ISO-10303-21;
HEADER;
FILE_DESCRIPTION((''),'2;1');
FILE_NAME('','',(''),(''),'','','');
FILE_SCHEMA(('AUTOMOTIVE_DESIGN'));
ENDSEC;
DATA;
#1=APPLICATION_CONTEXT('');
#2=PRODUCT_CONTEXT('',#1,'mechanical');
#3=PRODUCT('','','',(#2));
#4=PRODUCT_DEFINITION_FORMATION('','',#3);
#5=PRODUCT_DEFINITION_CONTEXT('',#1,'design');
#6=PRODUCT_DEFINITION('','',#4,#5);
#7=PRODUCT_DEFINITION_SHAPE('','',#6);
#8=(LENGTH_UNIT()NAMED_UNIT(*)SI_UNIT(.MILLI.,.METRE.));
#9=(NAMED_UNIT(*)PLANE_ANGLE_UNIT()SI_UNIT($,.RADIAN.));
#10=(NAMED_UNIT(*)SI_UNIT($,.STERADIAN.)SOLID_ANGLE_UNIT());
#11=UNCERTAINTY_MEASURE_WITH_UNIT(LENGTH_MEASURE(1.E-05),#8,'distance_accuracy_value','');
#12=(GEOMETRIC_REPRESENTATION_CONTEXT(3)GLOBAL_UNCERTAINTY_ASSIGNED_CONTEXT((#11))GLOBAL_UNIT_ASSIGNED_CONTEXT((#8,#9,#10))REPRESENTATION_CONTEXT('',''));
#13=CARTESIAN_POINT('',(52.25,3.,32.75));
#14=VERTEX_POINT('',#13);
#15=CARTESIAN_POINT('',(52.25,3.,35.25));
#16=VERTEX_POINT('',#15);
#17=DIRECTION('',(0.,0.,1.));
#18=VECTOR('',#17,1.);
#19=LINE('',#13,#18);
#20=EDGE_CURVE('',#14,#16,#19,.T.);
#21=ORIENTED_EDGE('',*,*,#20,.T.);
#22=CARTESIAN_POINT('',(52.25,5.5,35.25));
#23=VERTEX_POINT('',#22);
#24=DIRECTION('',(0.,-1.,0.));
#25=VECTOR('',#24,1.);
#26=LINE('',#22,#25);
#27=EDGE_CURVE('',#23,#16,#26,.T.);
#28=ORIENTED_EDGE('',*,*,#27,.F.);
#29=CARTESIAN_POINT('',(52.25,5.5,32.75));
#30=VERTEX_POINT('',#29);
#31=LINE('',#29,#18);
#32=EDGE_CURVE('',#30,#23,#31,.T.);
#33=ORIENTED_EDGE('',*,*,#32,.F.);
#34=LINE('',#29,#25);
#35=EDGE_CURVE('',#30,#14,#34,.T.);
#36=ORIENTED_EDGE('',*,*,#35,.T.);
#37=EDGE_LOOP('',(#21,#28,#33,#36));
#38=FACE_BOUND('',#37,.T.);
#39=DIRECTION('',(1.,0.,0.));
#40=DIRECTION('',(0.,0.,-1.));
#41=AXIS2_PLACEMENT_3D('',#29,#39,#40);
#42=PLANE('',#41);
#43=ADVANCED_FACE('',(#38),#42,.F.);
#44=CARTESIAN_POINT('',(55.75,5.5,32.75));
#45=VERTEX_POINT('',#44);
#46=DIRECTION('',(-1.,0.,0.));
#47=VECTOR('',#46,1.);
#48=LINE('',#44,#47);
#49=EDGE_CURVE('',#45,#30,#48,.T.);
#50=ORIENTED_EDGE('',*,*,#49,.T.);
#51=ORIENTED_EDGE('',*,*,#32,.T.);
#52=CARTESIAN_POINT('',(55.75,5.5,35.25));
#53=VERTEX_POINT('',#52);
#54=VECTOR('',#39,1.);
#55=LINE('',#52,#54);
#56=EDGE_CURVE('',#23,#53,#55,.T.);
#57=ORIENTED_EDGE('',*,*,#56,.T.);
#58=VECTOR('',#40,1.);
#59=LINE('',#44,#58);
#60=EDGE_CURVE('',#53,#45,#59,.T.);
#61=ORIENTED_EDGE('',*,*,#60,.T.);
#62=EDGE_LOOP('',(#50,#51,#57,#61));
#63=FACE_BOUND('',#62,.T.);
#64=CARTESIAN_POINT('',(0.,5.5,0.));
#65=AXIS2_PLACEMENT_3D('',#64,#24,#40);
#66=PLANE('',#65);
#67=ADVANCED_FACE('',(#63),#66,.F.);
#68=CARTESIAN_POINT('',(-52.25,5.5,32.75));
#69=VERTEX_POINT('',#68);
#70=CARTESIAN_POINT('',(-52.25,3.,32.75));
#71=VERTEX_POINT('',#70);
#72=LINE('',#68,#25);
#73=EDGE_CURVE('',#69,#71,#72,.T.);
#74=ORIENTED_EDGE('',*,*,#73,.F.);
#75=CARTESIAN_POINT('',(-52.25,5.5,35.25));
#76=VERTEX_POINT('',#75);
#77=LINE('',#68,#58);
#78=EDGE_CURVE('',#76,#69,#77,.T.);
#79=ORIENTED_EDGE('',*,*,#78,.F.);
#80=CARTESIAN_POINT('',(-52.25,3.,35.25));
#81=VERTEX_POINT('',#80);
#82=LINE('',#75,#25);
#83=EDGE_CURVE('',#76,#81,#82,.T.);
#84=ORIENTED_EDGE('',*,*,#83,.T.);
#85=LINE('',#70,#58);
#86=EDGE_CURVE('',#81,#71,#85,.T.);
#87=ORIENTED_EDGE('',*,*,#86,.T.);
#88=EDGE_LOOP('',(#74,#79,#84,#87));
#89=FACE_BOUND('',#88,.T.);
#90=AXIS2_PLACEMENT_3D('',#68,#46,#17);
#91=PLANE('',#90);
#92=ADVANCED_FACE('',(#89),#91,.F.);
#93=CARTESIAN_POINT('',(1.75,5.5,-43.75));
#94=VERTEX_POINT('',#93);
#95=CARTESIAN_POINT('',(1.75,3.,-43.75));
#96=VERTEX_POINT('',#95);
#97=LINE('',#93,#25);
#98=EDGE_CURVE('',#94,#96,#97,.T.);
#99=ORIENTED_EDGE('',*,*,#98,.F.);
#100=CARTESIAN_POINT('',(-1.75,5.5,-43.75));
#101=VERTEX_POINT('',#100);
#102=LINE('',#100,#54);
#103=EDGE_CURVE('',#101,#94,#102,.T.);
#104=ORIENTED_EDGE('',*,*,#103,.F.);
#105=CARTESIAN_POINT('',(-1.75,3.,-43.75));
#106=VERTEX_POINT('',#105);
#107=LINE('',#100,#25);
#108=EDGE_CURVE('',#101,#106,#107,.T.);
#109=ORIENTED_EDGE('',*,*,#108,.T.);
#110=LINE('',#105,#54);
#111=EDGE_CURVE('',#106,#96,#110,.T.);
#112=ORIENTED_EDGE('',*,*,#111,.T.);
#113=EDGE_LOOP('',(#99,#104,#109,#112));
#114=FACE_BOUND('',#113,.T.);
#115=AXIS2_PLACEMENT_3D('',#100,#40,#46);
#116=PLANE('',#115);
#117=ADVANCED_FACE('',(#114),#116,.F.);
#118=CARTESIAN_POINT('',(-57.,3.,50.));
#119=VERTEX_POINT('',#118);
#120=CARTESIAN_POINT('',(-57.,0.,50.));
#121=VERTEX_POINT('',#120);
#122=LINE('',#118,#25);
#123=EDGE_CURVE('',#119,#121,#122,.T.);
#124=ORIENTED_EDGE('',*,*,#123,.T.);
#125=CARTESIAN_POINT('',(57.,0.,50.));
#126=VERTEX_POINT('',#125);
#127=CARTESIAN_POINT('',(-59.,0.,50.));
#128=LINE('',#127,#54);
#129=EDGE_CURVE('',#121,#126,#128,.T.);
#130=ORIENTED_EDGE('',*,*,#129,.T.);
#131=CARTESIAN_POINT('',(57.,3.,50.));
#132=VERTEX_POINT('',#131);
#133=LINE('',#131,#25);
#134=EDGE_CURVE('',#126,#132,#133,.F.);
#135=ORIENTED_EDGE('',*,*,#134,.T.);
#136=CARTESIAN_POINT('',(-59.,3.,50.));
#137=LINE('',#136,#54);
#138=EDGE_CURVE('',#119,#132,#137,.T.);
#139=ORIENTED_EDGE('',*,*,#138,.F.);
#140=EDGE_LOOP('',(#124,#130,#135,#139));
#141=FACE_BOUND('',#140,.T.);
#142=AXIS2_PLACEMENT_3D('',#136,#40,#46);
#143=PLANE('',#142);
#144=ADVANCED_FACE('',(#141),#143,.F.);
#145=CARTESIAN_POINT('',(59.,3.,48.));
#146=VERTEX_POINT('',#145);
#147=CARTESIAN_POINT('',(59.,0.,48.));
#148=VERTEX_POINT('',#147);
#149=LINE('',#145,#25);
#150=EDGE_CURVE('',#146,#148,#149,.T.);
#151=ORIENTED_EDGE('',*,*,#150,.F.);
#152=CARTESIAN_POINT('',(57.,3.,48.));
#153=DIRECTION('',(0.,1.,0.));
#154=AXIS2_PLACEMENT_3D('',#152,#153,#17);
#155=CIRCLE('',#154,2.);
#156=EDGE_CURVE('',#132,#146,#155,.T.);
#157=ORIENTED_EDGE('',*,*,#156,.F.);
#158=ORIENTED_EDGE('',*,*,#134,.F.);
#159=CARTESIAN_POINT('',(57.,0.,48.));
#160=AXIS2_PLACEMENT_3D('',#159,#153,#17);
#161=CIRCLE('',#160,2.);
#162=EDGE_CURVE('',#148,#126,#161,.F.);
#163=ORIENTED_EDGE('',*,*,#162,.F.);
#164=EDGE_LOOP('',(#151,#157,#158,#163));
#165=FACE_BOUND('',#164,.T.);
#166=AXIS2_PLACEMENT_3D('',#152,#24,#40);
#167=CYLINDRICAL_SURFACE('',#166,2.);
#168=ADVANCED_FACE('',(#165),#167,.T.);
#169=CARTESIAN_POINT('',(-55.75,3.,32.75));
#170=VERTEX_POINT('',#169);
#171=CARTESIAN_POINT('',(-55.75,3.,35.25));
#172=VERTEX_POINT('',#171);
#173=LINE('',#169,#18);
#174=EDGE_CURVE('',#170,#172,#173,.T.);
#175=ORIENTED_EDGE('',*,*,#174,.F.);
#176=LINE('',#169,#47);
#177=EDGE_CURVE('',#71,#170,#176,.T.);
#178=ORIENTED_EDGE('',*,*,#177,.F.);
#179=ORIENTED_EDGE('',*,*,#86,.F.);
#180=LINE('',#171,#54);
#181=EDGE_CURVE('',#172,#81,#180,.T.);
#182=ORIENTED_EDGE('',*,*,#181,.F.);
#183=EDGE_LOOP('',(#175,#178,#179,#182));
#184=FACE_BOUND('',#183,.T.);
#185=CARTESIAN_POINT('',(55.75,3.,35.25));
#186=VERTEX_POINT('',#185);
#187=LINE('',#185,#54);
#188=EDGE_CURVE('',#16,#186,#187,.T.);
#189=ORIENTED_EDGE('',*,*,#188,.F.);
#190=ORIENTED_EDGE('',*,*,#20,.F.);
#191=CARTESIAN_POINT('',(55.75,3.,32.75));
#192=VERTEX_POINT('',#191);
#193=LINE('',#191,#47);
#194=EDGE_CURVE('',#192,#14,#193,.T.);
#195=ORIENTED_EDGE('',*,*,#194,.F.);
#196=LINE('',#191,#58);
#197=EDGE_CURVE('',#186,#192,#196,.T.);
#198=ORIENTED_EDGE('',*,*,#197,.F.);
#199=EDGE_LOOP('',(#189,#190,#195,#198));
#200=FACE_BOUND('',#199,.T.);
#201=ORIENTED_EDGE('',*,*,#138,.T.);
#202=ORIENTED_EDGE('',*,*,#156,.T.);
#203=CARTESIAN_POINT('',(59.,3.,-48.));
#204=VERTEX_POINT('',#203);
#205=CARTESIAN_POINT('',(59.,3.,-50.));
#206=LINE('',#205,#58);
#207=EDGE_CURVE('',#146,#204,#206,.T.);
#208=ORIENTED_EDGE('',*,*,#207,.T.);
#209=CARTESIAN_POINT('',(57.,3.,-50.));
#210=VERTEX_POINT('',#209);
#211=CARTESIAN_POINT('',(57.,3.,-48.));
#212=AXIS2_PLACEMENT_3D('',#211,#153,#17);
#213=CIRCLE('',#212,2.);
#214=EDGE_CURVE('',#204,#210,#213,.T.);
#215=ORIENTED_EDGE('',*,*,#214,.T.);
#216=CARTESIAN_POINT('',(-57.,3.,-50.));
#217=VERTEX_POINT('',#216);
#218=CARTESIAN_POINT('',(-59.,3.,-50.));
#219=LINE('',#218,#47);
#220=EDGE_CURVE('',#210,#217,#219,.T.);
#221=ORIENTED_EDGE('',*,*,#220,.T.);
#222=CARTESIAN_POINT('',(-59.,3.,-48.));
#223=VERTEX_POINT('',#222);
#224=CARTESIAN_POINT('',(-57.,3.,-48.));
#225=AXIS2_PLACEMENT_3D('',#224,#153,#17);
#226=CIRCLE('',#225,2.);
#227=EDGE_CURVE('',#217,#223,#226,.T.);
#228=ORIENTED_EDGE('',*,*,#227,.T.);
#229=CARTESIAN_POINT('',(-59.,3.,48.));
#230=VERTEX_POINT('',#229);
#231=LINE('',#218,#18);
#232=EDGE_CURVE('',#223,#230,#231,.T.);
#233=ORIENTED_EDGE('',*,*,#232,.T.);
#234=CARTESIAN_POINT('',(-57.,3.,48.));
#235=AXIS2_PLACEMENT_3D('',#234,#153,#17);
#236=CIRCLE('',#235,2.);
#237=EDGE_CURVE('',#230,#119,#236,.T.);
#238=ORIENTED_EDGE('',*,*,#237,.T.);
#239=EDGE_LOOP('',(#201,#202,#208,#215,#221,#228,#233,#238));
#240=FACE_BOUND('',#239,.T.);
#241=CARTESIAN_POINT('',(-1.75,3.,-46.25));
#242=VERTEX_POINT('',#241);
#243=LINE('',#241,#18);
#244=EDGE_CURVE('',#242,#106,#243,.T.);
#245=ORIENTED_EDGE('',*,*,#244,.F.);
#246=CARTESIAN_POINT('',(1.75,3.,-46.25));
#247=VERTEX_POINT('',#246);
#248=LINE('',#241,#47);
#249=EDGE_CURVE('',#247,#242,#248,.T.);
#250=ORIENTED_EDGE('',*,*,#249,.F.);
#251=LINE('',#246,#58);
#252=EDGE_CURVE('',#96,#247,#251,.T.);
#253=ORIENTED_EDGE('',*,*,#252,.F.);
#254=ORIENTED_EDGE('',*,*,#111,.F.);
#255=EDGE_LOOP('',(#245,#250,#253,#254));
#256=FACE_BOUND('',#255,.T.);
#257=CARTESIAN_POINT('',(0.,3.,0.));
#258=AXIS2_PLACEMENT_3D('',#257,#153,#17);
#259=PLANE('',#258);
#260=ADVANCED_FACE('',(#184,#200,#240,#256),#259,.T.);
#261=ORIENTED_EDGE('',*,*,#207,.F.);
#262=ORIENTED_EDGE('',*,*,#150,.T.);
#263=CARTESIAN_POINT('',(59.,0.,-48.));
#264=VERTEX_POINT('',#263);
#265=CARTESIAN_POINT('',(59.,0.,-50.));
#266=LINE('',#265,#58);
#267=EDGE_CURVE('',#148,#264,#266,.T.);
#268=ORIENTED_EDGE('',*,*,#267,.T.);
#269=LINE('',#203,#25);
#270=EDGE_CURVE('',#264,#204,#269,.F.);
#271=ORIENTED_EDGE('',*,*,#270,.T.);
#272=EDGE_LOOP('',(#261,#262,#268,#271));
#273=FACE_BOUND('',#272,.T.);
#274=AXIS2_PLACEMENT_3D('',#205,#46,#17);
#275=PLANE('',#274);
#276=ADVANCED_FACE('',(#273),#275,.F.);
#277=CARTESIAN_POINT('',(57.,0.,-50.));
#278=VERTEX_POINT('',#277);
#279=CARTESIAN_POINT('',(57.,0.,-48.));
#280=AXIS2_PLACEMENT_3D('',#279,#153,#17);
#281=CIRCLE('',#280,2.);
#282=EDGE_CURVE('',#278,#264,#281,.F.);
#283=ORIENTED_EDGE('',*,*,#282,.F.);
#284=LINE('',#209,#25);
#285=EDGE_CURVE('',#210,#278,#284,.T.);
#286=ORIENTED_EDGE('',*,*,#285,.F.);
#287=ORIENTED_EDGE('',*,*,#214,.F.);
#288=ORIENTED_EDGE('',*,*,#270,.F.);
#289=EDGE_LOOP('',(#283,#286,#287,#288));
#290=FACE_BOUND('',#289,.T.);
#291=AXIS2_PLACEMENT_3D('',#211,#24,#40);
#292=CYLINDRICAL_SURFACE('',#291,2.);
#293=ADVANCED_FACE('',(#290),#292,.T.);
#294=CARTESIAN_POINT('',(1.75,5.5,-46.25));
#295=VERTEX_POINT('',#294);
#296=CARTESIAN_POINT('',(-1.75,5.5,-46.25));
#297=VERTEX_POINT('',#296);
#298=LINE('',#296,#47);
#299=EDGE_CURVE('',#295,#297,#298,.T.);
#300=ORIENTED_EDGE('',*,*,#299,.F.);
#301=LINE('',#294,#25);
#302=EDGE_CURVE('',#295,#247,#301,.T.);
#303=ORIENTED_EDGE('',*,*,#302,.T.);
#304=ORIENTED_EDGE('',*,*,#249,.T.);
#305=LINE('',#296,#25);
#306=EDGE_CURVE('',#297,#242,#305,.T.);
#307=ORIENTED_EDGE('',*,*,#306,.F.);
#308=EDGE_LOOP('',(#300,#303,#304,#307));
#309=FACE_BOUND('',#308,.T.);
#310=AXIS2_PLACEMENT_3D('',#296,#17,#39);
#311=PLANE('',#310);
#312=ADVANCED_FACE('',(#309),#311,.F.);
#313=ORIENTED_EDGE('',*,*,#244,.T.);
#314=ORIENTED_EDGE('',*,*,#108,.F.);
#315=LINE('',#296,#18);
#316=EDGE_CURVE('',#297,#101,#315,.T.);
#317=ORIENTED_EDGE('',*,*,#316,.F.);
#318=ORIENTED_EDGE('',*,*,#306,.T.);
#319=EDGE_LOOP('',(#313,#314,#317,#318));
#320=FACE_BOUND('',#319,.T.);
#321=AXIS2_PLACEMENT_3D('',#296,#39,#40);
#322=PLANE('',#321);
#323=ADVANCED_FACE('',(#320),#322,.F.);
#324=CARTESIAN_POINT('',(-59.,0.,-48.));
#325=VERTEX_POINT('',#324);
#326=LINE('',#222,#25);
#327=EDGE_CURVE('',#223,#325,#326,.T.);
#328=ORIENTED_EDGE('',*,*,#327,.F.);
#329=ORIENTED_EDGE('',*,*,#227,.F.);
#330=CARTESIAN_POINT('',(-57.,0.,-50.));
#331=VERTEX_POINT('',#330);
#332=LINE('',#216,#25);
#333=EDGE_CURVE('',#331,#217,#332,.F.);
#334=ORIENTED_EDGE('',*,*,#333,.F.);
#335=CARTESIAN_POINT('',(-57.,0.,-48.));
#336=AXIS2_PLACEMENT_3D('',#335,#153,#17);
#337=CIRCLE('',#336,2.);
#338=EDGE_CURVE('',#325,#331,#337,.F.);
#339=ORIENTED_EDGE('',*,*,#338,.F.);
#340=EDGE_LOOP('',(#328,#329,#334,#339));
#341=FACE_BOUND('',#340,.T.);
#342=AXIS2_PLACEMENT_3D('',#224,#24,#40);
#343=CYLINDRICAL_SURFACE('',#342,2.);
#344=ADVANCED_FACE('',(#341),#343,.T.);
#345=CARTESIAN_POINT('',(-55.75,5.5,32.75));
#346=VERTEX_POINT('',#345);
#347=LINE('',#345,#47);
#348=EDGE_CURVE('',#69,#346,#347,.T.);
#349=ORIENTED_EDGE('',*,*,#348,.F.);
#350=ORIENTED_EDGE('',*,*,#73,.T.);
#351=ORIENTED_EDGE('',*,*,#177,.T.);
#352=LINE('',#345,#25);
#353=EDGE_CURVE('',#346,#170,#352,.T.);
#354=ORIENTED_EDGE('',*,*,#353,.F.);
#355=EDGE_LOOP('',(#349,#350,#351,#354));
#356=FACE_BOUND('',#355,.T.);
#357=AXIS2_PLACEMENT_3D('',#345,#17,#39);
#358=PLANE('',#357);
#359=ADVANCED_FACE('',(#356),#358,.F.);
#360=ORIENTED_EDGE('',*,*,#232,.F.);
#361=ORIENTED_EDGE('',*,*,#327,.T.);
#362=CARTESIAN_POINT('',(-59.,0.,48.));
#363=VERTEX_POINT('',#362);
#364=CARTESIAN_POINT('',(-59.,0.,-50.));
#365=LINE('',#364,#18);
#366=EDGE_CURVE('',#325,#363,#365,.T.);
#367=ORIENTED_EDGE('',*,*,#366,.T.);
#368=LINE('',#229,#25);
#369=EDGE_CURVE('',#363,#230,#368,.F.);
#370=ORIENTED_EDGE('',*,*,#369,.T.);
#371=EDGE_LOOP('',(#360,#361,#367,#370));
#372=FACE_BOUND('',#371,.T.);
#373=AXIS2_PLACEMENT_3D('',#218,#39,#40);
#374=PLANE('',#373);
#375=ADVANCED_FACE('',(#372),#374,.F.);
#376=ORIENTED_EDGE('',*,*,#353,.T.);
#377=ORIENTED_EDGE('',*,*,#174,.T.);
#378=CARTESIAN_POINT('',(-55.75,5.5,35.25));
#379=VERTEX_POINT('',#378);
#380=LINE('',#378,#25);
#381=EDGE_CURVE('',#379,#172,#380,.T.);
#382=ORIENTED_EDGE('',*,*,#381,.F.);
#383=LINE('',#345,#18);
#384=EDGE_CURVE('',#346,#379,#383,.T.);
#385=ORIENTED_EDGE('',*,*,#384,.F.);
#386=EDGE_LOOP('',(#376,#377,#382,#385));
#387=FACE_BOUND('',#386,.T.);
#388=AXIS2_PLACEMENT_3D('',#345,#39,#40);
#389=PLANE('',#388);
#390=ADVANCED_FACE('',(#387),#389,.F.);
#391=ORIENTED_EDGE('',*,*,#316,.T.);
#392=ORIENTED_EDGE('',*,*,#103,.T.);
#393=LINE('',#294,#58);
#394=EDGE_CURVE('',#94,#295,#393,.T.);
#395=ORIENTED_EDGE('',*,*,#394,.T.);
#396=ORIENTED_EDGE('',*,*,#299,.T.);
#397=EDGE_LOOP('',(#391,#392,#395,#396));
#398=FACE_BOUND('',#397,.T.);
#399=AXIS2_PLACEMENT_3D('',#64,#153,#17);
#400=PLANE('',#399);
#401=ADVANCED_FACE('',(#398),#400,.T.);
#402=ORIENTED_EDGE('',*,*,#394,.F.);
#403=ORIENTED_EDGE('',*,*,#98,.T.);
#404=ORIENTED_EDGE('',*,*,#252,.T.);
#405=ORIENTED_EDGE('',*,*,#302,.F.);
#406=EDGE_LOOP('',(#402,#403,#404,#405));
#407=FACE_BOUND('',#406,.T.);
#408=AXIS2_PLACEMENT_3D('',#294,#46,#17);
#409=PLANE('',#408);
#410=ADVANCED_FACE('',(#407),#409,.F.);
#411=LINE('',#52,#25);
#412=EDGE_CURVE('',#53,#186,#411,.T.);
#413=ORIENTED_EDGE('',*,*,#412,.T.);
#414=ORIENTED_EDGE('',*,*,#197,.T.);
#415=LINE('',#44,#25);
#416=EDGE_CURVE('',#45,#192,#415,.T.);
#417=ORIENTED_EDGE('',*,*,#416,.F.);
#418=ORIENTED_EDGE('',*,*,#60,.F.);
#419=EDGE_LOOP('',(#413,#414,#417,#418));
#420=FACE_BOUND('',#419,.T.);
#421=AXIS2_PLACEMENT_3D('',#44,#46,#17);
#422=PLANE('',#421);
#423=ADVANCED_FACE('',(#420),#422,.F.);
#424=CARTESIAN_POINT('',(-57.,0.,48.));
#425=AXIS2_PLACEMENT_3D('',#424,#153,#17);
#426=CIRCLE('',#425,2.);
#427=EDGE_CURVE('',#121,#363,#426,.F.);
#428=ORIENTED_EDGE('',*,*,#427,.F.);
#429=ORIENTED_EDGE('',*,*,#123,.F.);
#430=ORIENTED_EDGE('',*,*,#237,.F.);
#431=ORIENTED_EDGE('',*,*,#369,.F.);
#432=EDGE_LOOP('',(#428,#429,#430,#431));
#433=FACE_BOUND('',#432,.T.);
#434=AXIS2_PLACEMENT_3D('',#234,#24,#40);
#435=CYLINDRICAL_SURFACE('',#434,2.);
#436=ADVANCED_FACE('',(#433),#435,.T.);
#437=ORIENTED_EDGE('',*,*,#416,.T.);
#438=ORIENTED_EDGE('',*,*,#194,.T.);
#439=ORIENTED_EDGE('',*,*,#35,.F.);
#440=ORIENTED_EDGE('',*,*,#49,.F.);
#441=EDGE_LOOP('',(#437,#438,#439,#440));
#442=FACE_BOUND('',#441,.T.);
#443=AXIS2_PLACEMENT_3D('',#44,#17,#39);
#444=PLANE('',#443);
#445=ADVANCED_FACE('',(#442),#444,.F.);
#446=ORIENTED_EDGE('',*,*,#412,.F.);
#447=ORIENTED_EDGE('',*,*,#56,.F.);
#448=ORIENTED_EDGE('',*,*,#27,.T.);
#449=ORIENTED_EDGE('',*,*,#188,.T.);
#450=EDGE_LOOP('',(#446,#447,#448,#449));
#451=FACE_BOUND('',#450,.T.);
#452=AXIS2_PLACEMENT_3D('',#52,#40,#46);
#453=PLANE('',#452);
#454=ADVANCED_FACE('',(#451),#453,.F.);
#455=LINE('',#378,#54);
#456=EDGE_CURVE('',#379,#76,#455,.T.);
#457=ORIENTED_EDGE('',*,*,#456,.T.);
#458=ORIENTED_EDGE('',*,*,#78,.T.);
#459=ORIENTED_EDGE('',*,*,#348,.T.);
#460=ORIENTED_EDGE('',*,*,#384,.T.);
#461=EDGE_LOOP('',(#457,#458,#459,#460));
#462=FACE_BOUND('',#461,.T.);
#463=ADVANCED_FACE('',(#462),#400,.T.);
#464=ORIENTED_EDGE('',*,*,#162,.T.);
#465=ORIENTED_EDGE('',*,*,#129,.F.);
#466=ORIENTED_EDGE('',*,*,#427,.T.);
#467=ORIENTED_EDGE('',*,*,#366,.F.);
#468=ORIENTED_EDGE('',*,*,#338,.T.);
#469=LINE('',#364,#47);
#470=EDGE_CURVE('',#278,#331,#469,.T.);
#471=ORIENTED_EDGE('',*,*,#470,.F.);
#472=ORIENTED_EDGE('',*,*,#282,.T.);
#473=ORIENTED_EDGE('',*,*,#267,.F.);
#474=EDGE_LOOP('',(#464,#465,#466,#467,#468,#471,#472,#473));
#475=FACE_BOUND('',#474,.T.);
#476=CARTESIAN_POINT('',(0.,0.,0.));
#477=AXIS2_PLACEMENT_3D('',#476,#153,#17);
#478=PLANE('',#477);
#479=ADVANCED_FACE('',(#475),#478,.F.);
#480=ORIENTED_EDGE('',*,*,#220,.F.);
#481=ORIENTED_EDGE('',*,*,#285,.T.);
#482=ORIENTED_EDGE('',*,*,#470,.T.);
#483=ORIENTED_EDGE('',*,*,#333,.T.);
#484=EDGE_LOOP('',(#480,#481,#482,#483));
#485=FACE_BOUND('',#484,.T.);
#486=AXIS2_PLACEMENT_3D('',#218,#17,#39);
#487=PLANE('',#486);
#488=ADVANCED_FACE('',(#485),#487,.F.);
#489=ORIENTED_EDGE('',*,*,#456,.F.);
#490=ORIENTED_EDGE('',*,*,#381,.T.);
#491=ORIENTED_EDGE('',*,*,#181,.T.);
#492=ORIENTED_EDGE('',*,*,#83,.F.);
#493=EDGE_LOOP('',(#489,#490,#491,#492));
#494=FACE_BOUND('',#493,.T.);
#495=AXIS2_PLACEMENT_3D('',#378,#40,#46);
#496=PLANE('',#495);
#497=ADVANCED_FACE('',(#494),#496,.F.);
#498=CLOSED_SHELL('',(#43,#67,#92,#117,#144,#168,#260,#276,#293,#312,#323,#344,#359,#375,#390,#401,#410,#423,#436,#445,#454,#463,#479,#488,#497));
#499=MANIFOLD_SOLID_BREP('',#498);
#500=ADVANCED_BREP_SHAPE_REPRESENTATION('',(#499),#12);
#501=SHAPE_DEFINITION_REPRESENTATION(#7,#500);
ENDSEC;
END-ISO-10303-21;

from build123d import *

# Parameters (mm, degrees)
SKETCH1_W           = 118
SKETCH1_H           = 100
BOSS_EXTRUDE1_DEPTH = 3
FILLET1_R           = 2
SKETCH2_W           = 3.5
SKETCH2_H           = 2.5
BOSS_EXTRUDE2_DEPTH = 2.5


with BuildPart() as part:
    # Sketch1 → Boss-Extrude1 (new body)
    with BuildSketch(Plane(origin=(0, 0, 0), x_dir=(1, 0, 0), z_dir=(0, 1, 0))):
        Rectangle(SKETCH1_W, SKETCH1_H)
    extrude(amount=BOSS_EXTRUDE1_DEPTH)

    # Fillet1
    fillet1_edges = [part.edges().sort_by_distance(p)[0] for p in [
        (59, 1.5, 50),
        (-59, 1.5, 50),
        (-59, 1.5, -50),
        (59, 1.5, -50),
    ]]
    fillet(fillet1_edges, radius=FILLET1_R)

    # Sketch2 → Boss-Extrude2 (add)
    with BuildSketch(Plane(origin=(0, 3, 0), x_dir=(1, 0, 0), z_dir=(0, 1, 0))):
        with Locations((-54, -34)):
            Rectangle(SKETCH2_W, SKETCH2_H)
        with Locations((54, -34)):
            Rectangle(SKETCH2_W, SKETCH2_H)
        with Locations((0, 45)):
            Rectangle(SKETCH2_W, SKETCH2_H)
    extrude(amount=BOSS_EXTRUDE2_DEPTH)


solid = part.part
